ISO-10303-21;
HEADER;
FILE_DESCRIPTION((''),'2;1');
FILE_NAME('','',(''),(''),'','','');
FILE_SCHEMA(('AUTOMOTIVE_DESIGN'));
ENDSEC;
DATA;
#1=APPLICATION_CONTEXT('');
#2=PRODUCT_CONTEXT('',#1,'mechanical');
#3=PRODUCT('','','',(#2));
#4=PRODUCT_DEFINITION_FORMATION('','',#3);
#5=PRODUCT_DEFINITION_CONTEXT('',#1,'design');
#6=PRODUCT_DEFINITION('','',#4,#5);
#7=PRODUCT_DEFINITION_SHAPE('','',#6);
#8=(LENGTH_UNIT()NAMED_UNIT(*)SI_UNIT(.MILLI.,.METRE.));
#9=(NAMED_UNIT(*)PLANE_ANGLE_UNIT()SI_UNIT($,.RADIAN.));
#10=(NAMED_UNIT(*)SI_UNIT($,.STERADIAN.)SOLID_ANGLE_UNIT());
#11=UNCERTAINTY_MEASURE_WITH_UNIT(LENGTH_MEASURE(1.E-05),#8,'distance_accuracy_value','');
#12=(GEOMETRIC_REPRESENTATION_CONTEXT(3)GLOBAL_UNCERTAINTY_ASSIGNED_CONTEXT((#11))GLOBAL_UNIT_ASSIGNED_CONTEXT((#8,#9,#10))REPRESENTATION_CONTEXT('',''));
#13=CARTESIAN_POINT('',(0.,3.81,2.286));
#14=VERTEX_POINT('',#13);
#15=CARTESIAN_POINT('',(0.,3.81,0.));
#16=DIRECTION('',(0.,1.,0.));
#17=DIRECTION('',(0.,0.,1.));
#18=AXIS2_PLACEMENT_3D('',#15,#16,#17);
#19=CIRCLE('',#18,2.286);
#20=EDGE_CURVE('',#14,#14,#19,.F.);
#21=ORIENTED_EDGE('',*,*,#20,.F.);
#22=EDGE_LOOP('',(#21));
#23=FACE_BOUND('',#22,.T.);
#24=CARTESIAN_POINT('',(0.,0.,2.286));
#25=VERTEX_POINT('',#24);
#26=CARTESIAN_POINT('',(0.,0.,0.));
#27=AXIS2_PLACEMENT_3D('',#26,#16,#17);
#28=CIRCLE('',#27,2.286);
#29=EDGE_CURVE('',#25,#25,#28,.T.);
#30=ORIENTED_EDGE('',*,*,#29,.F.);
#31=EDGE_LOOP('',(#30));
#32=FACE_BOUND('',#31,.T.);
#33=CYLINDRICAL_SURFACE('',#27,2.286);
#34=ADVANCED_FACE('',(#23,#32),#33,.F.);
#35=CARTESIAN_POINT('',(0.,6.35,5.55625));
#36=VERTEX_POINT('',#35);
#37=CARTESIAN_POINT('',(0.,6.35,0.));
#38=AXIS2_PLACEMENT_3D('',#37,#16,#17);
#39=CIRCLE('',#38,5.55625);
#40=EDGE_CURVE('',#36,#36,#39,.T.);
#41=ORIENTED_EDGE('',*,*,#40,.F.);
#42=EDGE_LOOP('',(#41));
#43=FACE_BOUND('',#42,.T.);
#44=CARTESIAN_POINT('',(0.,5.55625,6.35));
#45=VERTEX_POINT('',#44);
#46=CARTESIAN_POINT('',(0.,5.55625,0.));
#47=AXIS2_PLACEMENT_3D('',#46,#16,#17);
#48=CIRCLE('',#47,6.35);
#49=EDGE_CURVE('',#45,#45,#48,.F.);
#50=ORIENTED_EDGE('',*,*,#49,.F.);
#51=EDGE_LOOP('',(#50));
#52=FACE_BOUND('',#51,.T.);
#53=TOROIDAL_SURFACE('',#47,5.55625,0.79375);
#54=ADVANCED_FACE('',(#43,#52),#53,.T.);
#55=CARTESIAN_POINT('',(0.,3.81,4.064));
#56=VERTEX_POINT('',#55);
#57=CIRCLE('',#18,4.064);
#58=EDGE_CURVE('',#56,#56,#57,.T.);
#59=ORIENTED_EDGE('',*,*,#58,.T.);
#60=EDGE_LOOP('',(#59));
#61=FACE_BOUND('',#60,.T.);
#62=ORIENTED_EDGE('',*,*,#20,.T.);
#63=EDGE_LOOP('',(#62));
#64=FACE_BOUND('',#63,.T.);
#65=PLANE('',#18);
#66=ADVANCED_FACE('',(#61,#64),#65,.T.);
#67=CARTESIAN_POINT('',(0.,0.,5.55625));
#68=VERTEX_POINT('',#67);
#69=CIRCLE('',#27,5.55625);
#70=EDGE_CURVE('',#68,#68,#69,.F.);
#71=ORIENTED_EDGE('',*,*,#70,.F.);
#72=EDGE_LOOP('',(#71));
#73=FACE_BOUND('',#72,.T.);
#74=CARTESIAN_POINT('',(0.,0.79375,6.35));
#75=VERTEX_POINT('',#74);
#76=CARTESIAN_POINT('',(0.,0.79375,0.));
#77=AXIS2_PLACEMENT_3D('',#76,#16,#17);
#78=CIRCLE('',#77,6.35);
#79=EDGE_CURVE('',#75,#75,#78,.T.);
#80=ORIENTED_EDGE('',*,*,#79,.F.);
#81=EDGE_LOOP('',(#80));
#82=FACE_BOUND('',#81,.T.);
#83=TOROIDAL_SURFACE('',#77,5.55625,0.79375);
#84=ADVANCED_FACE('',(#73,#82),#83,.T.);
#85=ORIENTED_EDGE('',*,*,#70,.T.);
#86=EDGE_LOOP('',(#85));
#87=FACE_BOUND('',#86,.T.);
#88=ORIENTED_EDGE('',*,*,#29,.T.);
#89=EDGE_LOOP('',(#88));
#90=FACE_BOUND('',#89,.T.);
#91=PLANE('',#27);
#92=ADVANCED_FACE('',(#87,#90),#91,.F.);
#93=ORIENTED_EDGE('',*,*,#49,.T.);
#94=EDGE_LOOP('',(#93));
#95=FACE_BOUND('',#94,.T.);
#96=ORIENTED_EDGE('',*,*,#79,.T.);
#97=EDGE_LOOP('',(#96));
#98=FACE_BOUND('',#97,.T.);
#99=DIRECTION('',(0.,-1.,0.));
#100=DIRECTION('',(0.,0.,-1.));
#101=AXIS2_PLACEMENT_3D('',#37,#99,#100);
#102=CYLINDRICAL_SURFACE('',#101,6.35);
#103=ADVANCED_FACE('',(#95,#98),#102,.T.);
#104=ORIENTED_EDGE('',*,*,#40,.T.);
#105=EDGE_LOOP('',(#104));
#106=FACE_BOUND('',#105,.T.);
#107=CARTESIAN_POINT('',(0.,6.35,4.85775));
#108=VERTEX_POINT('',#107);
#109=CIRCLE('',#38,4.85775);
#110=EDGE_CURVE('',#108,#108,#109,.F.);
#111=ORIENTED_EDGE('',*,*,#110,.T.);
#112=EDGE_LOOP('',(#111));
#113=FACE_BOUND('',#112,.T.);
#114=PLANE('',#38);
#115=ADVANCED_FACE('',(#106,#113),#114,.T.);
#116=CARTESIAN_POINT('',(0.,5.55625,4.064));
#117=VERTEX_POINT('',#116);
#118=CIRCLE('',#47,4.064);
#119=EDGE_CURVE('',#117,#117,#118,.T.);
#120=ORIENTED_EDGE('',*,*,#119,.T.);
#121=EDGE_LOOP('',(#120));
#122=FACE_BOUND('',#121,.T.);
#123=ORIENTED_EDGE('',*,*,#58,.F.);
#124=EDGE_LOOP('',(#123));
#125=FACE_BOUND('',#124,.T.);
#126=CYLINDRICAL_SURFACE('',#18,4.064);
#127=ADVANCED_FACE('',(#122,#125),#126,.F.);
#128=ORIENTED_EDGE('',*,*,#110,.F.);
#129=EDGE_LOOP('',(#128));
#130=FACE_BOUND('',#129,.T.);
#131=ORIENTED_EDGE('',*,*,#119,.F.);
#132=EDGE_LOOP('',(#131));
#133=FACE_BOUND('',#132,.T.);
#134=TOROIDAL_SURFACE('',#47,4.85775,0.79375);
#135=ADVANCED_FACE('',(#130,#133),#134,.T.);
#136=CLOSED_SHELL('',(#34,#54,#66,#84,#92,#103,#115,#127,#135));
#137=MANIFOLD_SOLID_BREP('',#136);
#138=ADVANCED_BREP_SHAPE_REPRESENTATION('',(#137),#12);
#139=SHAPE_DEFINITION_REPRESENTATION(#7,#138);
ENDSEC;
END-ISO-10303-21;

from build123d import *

# Parameters (mm, degrees)
SKETCH1_R           = 6.35
BOSS_EXTRUDE1_DEPTH = 6.35
SKETCH2_R           = 2.286
CUT_EXTRUDE1_DEPTH  = 11.998522628
SKETCH3_R           = 4.064
CUT_EXTRUDE2_DEPTH  = 2.54
FILLET1_R           = 0.79375


with BuildPart() as part:
    # Sketch1 → Boss-Extrude1 (new body)
    with BuildSketch(Plane(origin=(0, 0, 0), x_dir=(1, 0, 0), z_dir=(0, 1, 0))):
        with Locations(Location((0, 0, 0), (0, 0, 270))):
            Circle(SKETCH1_R)
    extrude(amount=BOSS_EXTRUDE1_DEPTH)

    # Sketch2 → Cut-Extrude1 (cut, through all)
    with BuildSketch(Plane(origin=(0, 6.35, 0), x_dir=(1, 0, 0), z_dir=(0, 1, 0))):
        with Locations(Location((0, 0, 0), (0, 0, 270))):
            Circle(SKETCH2_R)
    extrude(amount=-CUT_EXTRUDE1_DEPTH, mode=Mode.SUBTRACT)

    # Sketch3 → Cut-Extrude2 (cut)
    with BuildSketch(Plane(origin=(0, 6.35, 0), x_dir=(1, 0, 0), z_dir=(0, 1, 0))):
        with Locations(Location((0, 0, 0), (0, 0, 270))):
            Circle(SKETCH3_R)
    extrude(amount=-CUT_EXTRUDE2_DEPTH, mode=Mode.SUBTRACT)

    # Fillet1
    fillet1_edges = [part.edges().sort_by_distance(p)[0] for p in [
        (0, 6.35, -4.064),
        (0, 0, -6.35),
        (0, 6.35, -6.35),
    ]]
    fillet(fillet1_edges, radius=FILLET1_R)


solid = part.part
